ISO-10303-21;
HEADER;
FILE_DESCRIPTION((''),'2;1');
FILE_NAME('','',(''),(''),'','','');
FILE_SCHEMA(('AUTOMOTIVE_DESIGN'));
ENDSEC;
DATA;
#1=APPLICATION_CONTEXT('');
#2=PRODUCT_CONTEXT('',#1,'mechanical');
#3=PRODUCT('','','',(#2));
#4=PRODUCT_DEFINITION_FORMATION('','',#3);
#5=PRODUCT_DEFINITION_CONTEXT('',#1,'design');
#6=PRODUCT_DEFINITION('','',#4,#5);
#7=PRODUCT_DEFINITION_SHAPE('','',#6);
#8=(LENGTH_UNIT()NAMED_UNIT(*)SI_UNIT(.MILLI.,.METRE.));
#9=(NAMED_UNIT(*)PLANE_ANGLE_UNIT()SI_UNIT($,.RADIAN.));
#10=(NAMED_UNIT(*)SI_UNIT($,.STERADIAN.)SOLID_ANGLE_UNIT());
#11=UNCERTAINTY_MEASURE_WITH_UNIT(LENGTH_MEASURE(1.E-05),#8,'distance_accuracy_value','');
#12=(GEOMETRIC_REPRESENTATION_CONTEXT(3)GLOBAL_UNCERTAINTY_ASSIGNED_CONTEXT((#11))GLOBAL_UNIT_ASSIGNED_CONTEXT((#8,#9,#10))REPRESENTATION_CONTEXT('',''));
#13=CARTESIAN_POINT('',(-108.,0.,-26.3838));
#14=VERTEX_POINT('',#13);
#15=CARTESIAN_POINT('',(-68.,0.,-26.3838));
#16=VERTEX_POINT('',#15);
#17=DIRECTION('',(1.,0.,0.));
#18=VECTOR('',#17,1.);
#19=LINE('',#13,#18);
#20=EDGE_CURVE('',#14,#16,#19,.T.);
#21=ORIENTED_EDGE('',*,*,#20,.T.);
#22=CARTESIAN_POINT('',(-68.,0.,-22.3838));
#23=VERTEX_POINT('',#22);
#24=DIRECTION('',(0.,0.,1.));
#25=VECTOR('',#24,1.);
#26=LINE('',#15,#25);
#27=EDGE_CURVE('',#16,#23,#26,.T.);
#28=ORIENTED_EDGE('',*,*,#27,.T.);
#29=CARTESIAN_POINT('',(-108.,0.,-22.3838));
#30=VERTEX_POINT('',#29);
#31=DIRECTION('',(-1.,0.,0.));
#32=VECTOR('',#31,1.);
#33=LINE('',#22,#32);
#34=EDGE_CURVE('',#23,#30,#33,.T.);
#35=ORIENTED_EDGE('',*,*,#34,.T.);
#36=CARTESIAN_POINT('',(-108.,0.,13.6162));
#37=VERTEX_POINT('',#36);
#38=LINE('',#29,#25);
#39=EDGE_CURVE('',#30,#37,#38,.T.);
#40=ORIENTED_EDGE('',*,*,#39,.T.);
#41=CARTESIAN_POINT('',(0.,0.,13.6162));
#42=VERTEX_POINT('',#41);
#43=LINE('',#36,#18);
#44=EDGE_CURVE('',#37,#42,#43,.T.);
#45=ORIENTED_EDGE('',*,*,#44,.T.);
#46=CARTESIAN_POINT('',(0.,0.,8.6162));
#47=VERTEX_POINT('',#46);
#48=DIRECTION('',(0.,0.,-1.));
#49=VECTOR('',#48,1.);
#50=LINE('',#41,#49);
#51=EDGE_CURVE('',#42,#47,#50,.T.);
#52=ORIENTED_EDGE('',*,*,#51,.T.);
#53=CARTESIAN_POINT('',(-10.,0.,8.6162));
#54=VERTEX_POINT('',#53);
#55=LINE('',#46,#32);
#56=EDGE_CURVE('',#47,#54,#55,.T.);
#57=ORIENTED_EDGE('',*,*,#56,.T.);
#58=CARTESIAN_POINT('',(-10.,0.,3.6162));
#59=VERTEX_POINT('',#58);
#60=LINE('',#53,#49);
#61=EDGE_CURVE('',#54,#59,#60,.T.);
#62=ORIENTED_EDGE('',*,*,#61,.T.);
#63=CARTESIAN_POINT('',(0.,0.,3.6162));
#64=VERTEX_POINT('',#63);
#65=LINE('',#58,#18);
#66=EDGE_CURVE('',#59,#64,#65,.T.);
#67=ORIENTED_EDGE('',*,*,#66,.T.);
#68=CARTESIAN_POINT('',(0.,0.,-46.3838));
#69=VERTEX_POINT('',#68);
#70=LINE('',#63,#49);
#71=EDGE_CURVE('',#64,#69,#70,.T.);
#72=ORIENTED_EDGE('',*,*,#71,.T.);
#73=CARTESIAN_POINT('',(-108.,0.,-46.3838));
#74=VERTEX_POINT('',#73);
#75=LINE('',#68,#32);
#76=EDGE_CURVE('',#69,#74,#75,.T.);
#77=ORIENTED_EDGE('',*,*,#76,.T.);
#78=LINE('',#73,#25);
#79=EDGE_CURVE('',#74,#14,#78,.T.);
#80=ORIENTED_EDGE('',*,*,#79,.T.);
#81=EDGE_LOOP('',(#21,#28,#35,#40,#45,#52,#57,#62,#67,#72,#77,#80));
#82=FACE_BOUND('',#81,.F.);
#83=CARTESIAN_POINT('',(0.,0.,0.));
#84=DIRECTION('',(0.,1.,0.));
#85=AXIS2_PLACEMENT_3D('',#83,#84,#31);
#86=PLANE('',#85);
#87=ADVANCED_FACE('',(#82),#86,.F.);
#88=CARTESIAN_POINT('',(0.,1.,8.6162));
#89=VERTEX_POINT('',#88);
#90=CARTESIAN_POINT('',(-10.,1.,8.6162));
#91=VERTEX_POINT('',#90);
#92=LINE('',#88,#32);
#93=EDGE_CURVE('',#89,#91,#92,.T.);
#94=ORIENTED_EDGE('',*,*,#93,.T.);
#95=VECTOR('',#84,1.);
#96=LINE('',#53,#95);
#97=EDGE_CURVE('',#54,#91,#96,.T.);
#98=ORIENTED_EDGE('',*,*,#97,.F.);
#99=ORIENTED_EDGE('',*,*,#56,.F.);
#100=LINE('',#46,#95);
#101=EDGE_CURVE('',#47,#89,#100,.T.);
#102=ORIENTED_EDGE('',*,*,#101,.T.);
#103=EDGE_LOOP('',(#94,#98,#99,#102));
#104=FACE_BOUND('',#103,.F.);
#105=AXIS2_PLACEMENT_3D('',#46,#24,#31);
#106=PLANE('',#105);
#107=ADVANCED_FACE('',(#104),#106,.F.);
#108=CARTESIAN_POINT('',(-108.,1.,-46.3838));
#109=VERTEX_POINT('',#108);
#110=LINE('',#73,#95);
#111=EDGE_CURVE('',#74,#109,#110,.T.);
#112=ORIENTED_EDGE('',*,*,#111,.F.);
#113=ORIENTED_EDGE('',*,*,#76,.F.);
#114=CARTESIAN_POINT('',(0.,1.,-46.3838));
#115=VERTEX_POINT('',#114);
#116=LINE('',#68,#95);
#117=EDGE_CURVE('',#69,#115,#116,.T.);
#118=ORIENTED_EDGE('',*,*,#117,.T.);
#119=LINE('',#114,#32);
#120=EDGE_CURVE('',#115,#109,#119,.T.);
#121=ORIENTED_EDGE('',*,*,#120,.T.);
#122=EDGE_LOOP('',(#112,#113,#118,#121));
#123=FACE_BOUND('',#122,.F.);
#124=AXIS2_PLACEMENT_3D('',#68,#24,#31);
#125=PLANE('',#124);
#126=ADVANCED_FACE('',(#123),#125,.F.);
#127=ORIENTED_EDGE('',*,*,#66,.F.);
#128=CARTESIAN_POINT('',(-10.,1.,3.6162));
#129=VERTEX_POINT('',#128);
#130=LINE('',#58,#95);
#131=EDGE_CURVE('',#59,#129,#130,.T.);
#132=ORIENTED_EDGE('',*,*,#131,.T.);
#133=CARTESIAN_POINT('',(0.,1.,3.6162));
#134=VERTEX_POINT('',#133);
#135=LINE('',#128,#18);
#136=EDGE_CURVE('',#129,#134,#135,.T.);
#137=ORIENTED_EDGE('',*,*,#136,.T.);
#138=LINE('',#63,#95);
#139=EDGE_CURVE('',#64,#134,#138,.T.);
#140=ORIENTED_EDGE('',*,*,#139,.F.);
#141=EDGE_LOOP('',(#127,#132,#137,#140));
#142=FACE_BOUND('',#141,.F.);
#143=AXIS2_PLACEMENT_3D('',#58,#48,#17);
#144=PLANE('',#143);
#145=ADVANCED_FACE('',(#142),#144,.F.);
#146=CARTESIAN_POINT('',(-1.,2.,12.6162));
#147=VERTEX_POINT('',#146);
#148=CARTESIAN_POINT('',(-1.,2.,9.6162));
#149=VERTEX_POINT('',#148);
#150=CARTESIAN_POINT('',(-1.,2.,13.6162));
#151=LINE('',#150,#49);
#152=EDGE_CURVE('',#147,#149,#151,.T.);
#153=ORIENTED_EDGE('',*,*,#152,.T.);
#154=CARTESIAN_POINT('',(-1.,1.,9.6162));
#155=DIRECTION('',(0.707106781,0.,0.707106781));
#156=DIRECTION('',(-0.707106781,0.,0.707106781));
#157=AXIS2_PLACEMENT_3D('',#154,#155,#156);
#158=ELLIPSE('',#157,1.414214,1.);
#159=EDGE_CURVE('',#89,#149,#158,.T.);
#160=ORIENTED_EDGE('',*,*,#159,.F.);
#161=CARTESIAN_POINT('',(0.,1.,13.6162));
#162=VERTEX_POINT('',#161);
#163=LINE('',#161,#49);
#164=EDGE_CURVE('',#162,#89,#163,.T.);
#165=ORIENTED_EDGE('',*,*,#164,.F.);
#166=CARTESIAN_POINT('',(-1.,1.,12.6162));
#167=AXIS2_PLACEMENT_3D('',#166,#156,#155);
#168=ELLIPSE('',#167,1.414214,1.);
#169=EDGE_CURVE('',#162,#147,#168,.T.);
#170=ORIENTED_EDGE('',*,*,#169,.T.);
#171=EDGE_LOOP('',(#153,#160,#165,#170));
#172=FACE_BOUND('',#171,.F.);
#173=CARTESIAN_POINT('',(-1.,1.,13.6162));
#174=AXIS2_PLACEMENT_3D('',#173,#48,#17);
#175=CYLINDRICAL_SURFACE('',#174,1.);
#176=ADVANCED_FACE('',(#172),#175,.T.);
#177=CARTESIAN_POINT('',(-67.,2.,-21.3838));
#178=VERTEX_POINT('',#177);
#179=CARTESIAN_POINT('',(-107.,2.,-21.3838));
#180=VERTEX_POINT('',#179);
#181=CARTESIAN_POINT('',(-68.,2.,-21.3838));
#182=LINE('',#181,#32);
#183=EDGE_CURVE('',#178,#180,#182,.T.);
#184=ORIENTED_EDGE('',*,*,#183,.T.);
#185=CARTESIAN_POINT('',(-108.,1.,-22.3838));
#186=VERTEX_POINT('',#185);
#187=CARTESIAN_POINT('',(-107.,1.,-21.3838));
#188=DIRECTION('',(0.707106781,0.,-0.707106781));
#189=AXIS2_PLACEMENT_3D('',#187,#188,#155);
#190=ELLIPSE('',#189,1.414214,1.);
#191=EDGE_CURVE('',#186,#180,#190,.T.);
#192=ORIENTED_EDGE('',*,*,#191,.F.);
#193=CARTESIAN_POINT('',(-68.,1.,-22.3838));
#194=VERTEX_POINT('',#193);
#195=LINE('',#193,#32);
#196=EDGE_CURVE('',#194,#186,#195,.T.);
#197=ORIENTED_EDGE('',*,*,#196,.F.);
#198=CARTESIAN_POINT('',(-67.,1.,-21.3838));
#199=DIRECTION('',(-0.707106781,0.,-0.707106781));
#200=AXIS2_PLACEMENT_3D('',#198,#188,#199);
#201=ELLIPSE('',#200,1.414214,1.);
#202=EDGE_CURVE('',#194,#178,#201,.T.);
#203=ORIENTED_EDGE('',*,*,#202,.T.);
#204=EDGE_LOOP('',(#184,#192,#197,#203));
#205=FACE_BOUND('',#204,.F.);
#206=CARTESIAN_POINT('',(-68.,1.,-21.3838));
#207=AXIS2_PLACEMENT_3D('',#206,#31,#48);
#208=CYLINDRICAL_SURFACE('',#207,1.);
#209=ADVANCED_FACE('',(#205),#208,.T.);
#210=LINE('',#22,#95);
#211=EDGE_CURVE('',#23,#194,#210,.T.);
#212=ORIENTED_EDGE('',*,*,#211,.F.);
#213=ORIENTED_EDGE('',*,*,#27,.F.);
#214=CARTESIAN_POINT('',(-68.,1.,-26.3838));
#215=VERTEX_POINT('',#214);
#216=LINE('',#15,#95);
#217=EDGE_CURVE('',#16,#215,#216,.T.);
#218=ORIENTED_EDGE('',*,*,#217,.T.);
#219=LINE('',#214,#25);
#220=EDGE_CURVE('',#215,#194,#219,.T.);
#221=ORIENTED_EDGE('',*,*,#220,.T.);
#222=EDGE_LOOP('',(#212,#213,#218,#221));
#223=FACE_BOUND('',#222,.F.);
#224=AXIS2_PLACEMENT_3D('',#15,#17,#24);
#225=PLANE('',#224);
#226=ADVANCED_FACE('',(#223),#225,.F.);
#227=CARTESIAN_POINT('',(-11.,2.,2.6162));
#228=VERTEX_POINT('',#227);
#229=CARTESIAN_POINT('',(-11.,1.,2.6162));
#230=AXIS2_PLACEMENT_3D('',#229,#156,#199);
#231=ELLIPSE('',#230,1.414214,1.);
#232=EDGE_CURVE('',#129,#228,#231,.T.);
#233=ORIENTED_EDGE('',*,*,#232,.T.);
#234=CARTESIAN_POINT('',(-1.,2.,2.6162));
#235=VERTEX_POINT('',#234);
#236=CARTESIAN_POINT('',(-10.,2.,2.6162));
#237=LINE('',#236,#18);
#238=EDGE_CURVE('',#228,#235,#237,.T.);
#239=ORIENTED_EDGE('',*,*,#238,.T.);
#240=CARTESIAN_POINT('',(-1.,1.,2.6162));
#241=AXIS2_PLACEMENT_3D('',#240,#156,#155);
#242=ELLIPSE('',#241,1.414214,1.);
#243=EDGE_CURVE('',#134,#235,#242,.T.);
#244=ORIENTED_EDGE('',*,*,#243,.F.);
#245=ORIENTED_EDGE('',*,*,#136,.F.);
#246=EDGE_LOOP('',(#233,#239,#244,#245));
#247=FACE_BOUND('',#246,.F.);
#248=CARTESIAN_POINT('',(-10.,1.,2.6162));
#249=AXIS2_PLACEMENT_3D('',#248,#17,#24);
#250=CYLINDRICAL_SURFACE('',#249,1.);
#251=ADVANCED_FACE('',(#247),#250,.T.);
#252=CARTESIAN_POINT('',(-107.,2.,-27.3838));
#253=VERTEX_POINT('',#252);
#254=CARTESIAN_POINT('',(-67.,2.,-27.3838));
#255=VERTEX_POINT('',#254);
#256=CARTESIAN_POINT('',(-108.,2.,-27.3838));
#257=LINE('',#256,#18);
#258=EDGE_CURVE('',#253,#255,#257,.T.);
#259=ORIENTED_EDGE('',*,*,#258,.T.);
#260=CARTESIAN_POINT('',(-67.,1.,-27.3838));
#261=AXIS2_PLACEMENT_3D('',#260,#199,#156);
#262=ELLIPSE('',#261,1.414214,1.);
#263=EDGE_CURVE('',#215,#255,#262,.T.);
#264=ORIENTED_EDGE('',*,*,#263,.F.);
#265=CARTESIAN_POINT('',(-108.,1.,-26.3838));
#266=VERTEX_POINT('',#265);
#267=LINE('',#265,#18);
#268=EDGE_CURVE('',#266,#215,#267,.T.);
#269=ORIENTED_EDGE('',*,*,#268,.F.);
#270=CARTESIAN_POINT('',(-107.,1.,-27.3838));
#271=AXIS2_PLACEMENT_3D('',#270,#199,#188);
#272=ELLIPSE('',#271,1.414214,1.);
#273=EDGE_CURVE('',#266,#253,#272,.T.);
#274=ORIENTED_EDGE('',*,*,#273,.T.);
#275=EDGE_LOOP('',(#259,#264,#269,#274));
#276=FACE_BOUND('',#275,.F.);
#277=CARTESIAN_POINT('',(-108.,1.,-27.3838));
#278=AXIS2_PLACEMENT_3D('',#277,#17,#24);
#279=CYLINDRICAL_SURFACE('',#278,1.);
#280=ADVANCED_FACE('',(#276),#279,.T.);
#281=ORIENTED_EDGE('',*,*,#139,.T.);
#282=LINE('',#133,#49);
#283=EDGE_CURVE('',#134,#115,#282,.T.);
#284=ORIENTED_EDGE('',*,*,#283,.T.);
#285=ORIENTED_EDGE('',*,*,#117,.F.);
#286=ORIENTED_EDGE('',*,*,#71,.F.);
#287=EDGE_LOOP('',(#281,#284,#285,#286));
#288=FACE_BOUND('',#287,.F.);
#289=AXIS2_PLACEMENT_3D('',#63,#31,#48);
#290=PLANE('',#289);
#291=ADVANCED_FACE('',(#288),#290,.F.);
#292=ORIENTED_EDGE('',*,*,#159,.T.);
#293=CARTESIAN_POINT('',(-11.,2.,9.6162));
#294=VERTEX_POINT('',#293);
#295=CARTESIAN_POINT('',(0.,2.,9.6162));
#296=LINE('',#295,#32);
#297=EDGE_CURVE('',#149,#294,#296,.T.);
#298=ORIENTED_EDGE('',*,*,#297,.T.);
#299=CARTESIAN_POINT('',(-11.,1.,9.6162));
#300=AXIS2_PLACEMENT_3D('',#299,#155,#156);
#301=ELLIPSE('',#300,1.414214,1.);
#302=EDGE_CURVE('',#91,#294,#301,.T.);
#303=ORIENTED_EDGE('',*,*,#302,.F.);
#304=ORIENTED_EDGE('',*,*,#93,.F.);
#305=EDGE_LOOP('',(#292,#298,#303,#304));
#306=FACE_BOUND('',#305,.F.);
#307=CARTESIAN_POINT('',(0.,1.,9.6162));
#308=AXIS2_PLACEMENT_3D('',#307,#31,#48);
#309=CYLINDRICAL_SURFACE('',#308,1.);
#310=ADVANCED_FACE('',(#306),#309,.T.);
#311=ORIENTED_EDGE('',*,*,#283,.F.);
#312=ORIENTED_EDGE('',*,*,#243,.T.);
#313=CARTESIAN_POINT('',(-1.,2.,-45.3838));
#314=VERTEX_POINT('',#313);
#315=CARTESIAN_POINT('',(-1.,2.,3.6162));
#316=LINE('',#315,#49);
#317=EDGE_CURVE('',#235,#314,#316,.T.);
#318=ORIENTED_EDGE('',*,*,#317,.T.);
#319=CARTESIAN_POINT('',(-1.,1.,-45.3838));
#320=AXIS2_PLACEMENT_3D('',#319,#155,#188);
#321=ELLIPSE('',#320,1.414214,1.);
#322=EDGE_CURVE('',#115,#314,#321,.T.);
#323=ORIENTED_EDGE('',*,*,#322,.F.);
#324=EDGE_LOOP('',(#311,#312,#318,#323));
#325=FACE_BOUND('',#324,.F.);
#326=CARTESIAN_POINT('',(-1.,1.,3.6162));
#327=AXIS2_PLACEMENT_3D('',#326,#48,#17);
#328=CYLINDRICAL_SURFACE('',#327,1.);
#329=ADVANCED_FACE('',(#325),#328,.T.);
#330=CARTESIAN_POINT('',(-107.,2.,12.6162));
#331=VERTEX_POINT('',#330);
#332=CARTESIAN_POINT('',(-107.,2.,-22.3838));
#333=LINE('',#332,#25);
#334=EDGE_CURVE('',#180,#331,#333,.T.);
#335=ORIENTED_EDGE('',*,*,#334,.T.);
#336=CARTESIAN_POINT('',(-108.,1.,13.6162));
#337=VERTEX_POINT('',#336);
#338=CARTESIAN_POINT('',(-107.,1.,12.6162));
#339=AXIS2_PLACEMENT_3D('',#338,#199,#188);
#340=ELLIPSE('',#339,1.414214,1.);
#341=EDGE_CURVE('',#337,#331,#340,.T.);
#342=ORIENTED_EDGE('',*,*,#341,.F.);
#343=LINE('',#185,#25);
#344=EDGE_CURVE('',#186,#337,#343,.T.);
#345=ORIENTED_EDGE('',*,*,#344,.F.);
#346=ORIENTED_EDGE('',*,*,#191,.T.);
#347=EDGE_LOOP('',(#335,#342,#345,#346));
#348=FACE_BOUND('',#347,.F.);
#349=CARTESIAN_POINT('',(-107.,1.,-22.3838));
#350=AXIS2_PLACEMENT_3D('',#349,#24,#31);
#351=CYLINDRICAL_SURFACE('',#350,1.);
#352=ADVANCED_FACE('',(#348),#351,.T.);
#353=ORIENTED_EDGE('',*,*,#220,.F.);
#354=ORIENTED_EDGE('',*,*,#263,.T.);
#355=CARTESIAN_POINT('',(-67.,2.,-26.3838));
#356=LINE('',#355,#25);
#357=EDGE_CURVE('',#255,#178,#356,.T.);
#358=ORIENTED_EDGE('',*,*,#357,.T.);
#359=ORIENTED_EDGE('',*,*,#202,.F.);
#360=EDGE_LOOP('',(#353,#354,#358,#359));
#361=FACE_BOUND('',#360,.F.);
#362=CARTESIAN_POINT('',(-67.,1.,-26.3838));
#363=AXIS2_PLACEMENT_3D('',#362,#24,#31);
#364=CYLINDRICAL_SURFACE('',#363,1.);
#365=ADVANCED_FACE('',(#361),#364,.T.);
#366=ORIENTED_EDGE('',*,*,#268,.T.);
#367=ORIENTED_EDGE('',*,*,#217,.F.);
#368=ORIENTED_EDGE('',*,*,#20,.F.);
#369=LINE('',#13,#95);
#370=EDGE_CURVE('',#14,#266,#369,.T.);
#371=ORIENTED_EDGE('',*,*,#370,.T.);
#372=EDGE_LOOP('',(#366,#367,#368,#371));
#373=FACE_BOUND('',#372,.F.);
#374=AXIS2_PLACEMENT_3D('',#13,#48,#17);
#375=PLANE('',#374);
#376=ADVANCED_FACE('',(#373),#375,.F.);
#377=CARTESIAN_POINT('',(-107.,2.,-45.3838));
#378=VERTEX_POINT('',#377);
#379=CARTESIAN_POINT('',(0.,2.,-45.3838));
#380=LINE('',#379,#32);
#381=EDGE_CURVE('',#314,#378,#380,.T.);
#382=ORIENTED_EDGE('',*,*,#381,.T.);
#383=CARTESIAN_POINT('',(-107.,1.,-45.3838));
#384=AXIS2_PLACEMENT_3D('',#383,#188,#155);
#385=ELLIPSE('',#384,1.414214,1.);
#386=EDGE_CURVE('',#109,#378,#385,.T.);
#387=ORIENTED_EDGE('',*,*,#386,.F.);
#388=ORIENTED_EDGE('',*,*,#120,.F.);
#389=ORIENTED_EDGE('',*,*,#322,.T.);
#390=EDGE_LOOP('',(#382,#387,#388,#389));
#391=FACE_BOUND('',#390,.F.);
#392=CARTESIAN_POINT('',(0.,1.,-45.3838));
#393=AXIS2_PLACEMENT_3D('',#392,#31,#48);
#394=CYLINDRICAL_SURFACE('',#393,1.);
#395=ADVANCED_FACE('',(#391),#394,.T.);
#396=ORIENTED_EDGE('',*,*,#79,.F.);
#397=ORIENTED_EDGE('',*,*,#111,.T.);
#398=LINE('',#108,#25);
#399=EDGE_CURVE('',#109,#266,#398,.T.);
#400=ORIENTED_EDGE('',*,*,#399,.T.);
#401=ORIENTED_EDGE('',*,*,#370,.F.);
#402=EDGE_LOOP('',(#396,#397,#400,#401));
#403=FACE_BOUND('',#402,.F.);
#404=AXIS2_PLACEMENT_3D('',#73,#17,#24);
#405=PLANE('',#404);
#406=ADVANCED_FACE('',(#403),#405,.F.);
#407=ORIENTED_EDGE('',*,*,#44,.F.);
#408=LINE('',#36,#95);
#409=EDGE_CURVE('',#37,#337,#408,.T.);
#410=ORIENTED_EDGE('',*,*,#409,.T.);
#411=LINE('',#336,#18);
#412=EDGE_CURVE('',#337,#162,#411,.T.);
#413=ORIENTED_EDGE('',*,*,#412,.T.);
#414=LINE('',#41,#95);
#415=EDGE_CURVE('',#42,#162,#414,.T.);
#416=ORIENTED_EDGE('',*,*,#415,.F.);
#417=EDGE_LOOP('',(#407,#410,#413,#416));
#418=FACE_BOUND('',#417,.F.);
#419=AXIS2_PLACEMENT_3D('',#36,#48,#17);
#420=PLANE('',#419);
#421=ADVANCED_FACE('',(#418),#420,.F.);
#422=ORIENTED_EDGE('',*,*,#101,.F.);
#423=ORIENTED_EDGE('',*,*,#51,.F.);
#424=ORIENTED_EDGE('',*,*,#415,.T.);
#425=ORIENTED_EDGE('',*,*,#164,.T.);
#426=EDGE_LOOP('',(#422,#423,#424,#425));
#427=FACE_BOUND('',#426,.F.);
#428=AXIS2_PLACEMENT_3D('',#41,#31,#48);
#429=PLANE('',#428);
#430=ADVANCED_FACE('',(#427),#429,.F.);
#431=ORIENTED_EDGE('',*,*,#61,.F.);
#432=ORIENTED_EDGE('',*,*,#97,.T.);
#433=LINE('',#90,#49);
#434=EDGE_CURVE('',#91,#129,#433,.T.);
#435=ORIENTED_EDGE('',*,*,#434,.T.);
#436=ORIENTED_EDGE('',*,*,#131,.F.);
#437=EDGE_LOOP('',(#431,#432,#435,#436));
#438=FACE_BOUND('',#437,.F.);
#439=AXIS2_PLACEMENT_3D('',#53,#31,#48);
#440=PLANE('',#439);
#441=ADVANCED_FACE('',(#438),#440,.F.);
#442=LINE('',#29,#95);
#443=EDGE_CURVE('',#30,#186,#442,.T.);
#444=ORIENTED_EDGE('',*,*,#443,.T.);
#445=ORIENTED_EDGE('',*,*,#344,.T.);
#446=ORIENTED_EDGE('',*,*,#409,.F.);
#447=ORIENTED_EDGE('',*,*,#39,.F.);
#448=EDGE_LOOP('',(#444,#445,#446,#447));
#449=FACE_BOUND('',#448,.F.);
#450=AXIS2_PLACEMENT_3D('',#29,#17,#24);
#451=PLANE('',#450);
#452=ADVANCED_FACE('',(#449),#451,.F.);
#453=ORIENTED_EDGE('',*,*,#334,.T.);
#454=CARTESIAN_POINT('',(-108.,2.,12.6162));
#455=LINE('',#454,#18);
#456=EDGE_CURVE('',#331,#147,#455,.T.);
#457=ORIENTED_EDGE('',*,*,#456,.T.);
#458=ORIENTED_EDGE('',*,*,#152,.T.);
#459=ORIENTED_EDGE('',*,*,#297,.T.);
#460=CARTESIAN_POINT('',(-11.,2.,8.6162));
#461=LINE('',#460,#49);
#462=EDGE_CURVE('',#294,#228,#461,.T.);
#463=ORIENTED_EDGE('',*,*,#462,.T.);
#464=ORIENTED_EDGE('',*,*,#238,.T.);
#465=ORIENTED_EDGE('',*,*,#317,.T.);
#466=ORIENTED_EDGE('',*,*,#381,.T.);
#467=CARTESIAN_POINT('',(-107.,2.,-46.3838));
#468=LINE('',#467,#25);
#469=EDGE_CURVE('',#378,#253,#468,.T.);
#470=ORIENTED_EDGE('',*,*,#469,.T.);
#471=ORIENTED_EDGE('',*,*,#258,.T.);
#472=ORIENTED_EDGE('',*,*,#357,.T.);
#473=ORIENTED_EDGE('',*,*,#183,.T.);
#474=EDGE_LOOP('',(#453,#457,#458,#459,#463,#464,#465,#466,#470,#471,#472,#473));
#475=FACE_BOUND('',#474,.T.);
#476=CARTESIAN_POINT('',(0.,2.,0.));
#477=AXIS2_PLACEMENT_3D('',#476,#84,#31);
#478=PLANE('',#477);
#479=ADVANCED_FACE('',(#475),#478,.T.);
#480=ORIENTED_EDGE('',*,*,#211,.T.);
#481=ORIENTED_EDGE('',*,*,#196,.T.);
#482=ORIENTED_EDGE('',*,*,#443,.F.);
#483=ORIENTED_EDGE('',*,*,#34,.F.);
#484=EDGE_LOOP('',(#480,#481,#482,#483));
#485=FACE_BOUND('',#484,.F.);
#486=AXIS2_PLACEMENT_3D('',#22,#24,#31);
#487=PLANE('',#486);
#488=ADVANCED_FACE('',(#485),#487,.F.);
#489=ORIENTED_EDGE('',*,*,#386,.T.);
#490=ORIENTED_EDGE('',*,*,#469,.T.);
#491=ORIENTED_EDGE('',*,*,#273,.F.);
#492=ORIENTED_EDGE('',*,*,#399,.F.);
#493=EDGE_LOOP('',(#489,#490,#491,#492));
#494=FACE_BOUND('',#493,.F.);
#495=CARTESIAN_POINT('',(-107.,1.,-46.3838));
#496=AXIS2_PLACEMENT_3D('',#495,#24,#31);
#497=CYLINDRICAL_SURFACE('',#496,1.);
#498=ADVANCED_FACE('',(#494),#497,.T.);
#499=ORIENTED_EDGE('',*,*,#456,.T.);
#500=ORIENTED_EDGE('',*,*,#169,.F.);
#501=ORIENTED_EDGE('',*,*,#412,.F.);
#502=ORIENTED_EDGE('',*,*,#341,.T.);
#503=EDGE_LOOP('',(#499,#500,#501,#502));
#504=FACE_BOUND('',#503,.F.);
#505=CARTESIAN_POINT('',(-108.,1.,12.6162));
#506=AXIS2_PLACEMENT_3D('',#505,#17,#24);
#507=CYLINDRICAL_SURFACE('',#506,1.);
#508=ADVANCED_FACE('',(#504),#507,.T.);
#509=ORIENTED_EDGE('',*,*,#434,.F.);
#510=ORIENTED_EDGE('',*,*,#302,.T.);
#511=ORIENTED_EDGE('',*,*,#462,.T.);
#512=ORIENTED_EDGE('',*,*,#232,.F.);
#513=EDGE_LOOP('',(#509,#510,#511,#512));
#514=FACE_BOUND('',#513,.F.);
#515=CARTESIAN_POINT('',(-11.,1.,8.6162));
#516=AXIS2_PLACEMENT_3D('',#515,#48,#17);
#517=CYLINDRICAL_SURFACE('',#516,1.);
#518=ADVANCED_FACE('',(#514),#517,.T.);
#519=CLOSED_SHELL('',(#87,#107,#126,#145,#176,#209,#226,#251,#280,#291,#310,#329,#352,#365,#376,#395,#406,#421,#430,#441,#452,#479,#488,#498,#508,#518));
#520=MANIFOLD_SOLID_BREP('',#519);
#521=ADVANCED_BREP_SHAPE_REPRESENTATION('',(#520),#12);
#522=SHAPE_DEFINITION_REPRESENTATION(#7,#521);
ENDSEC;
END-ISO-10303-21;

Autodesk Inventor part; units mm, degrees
ref_plane "YZ Plane" through (0, 0, 0) normal (1, 0, 0) x (0, 1, 0)
ref_plane "XZ Plane" through (0, 0, 0) normal (0, 1, 0) x (-1, 0, 0)
ref_plane "XY Plane" through (0, 0, 0) normal (0, 0, 1) x (1, 0, 0)
sketch "Эскиз1" plane through (0, 0, 0) normal (0, 1, 0) x (-1, 0, 0)
  line L0 (0, -46.3838) -> (108, -46.3838)
  line L1 (108, 13.6162) -> (0, 13.6162)
  line L2 (108, -46.3838) -> (108, -26.3838)
  line L3 (108, -26.3838) -> (68, -26.3838)
  line L4 (68, -26.3838) -> (68, -22.3838)
  line L5 (68, -22.3838) -> (108, -22.3838)
  line L6 (108, -22.3838) -> (108, 13.6162)
  line L7 (0, 13.6162) -> (0, 8.6162)
  line L8 (0, 8.6162) -> (10, 8.6162)
  line L9 (10, 8.6162) -> (10, 3.6162)
  line L10 (10, 3.6162) -> (0, 3.6162)
  line L11 (0, 3.6162) -> (0, -46.3838)
  point P0 (0, 0)
  dimension "d0" = 108
  dimension "d1" = 60
  dimension "d2" = 20
  dimension "d3" = 40
  dimension "d4" = 4
  dimension "d5" = 5
  dimension "d6" = 10
  dimension "d7" = 5
extrude "Выдавливание1" add sketch "Эскиз1" along normal blind 2
fillet "Сопряжение1" radius 1 12 edges at (-54, 2, 13.6162) (-5, 2, 8.6162) (-10, 2, 6.1162) (-5, 2, 3.6162) (0, 2, -21.3838) (-108, 2, -4.3838) (-88, 2, -22.3838) (-68, 2, -24.3838) (-88, 2, -26.3838) (-108, 2, -36.3838) (-54, 2, -46.3838) (0, 2, 11.1162)
properties part number "plate"
